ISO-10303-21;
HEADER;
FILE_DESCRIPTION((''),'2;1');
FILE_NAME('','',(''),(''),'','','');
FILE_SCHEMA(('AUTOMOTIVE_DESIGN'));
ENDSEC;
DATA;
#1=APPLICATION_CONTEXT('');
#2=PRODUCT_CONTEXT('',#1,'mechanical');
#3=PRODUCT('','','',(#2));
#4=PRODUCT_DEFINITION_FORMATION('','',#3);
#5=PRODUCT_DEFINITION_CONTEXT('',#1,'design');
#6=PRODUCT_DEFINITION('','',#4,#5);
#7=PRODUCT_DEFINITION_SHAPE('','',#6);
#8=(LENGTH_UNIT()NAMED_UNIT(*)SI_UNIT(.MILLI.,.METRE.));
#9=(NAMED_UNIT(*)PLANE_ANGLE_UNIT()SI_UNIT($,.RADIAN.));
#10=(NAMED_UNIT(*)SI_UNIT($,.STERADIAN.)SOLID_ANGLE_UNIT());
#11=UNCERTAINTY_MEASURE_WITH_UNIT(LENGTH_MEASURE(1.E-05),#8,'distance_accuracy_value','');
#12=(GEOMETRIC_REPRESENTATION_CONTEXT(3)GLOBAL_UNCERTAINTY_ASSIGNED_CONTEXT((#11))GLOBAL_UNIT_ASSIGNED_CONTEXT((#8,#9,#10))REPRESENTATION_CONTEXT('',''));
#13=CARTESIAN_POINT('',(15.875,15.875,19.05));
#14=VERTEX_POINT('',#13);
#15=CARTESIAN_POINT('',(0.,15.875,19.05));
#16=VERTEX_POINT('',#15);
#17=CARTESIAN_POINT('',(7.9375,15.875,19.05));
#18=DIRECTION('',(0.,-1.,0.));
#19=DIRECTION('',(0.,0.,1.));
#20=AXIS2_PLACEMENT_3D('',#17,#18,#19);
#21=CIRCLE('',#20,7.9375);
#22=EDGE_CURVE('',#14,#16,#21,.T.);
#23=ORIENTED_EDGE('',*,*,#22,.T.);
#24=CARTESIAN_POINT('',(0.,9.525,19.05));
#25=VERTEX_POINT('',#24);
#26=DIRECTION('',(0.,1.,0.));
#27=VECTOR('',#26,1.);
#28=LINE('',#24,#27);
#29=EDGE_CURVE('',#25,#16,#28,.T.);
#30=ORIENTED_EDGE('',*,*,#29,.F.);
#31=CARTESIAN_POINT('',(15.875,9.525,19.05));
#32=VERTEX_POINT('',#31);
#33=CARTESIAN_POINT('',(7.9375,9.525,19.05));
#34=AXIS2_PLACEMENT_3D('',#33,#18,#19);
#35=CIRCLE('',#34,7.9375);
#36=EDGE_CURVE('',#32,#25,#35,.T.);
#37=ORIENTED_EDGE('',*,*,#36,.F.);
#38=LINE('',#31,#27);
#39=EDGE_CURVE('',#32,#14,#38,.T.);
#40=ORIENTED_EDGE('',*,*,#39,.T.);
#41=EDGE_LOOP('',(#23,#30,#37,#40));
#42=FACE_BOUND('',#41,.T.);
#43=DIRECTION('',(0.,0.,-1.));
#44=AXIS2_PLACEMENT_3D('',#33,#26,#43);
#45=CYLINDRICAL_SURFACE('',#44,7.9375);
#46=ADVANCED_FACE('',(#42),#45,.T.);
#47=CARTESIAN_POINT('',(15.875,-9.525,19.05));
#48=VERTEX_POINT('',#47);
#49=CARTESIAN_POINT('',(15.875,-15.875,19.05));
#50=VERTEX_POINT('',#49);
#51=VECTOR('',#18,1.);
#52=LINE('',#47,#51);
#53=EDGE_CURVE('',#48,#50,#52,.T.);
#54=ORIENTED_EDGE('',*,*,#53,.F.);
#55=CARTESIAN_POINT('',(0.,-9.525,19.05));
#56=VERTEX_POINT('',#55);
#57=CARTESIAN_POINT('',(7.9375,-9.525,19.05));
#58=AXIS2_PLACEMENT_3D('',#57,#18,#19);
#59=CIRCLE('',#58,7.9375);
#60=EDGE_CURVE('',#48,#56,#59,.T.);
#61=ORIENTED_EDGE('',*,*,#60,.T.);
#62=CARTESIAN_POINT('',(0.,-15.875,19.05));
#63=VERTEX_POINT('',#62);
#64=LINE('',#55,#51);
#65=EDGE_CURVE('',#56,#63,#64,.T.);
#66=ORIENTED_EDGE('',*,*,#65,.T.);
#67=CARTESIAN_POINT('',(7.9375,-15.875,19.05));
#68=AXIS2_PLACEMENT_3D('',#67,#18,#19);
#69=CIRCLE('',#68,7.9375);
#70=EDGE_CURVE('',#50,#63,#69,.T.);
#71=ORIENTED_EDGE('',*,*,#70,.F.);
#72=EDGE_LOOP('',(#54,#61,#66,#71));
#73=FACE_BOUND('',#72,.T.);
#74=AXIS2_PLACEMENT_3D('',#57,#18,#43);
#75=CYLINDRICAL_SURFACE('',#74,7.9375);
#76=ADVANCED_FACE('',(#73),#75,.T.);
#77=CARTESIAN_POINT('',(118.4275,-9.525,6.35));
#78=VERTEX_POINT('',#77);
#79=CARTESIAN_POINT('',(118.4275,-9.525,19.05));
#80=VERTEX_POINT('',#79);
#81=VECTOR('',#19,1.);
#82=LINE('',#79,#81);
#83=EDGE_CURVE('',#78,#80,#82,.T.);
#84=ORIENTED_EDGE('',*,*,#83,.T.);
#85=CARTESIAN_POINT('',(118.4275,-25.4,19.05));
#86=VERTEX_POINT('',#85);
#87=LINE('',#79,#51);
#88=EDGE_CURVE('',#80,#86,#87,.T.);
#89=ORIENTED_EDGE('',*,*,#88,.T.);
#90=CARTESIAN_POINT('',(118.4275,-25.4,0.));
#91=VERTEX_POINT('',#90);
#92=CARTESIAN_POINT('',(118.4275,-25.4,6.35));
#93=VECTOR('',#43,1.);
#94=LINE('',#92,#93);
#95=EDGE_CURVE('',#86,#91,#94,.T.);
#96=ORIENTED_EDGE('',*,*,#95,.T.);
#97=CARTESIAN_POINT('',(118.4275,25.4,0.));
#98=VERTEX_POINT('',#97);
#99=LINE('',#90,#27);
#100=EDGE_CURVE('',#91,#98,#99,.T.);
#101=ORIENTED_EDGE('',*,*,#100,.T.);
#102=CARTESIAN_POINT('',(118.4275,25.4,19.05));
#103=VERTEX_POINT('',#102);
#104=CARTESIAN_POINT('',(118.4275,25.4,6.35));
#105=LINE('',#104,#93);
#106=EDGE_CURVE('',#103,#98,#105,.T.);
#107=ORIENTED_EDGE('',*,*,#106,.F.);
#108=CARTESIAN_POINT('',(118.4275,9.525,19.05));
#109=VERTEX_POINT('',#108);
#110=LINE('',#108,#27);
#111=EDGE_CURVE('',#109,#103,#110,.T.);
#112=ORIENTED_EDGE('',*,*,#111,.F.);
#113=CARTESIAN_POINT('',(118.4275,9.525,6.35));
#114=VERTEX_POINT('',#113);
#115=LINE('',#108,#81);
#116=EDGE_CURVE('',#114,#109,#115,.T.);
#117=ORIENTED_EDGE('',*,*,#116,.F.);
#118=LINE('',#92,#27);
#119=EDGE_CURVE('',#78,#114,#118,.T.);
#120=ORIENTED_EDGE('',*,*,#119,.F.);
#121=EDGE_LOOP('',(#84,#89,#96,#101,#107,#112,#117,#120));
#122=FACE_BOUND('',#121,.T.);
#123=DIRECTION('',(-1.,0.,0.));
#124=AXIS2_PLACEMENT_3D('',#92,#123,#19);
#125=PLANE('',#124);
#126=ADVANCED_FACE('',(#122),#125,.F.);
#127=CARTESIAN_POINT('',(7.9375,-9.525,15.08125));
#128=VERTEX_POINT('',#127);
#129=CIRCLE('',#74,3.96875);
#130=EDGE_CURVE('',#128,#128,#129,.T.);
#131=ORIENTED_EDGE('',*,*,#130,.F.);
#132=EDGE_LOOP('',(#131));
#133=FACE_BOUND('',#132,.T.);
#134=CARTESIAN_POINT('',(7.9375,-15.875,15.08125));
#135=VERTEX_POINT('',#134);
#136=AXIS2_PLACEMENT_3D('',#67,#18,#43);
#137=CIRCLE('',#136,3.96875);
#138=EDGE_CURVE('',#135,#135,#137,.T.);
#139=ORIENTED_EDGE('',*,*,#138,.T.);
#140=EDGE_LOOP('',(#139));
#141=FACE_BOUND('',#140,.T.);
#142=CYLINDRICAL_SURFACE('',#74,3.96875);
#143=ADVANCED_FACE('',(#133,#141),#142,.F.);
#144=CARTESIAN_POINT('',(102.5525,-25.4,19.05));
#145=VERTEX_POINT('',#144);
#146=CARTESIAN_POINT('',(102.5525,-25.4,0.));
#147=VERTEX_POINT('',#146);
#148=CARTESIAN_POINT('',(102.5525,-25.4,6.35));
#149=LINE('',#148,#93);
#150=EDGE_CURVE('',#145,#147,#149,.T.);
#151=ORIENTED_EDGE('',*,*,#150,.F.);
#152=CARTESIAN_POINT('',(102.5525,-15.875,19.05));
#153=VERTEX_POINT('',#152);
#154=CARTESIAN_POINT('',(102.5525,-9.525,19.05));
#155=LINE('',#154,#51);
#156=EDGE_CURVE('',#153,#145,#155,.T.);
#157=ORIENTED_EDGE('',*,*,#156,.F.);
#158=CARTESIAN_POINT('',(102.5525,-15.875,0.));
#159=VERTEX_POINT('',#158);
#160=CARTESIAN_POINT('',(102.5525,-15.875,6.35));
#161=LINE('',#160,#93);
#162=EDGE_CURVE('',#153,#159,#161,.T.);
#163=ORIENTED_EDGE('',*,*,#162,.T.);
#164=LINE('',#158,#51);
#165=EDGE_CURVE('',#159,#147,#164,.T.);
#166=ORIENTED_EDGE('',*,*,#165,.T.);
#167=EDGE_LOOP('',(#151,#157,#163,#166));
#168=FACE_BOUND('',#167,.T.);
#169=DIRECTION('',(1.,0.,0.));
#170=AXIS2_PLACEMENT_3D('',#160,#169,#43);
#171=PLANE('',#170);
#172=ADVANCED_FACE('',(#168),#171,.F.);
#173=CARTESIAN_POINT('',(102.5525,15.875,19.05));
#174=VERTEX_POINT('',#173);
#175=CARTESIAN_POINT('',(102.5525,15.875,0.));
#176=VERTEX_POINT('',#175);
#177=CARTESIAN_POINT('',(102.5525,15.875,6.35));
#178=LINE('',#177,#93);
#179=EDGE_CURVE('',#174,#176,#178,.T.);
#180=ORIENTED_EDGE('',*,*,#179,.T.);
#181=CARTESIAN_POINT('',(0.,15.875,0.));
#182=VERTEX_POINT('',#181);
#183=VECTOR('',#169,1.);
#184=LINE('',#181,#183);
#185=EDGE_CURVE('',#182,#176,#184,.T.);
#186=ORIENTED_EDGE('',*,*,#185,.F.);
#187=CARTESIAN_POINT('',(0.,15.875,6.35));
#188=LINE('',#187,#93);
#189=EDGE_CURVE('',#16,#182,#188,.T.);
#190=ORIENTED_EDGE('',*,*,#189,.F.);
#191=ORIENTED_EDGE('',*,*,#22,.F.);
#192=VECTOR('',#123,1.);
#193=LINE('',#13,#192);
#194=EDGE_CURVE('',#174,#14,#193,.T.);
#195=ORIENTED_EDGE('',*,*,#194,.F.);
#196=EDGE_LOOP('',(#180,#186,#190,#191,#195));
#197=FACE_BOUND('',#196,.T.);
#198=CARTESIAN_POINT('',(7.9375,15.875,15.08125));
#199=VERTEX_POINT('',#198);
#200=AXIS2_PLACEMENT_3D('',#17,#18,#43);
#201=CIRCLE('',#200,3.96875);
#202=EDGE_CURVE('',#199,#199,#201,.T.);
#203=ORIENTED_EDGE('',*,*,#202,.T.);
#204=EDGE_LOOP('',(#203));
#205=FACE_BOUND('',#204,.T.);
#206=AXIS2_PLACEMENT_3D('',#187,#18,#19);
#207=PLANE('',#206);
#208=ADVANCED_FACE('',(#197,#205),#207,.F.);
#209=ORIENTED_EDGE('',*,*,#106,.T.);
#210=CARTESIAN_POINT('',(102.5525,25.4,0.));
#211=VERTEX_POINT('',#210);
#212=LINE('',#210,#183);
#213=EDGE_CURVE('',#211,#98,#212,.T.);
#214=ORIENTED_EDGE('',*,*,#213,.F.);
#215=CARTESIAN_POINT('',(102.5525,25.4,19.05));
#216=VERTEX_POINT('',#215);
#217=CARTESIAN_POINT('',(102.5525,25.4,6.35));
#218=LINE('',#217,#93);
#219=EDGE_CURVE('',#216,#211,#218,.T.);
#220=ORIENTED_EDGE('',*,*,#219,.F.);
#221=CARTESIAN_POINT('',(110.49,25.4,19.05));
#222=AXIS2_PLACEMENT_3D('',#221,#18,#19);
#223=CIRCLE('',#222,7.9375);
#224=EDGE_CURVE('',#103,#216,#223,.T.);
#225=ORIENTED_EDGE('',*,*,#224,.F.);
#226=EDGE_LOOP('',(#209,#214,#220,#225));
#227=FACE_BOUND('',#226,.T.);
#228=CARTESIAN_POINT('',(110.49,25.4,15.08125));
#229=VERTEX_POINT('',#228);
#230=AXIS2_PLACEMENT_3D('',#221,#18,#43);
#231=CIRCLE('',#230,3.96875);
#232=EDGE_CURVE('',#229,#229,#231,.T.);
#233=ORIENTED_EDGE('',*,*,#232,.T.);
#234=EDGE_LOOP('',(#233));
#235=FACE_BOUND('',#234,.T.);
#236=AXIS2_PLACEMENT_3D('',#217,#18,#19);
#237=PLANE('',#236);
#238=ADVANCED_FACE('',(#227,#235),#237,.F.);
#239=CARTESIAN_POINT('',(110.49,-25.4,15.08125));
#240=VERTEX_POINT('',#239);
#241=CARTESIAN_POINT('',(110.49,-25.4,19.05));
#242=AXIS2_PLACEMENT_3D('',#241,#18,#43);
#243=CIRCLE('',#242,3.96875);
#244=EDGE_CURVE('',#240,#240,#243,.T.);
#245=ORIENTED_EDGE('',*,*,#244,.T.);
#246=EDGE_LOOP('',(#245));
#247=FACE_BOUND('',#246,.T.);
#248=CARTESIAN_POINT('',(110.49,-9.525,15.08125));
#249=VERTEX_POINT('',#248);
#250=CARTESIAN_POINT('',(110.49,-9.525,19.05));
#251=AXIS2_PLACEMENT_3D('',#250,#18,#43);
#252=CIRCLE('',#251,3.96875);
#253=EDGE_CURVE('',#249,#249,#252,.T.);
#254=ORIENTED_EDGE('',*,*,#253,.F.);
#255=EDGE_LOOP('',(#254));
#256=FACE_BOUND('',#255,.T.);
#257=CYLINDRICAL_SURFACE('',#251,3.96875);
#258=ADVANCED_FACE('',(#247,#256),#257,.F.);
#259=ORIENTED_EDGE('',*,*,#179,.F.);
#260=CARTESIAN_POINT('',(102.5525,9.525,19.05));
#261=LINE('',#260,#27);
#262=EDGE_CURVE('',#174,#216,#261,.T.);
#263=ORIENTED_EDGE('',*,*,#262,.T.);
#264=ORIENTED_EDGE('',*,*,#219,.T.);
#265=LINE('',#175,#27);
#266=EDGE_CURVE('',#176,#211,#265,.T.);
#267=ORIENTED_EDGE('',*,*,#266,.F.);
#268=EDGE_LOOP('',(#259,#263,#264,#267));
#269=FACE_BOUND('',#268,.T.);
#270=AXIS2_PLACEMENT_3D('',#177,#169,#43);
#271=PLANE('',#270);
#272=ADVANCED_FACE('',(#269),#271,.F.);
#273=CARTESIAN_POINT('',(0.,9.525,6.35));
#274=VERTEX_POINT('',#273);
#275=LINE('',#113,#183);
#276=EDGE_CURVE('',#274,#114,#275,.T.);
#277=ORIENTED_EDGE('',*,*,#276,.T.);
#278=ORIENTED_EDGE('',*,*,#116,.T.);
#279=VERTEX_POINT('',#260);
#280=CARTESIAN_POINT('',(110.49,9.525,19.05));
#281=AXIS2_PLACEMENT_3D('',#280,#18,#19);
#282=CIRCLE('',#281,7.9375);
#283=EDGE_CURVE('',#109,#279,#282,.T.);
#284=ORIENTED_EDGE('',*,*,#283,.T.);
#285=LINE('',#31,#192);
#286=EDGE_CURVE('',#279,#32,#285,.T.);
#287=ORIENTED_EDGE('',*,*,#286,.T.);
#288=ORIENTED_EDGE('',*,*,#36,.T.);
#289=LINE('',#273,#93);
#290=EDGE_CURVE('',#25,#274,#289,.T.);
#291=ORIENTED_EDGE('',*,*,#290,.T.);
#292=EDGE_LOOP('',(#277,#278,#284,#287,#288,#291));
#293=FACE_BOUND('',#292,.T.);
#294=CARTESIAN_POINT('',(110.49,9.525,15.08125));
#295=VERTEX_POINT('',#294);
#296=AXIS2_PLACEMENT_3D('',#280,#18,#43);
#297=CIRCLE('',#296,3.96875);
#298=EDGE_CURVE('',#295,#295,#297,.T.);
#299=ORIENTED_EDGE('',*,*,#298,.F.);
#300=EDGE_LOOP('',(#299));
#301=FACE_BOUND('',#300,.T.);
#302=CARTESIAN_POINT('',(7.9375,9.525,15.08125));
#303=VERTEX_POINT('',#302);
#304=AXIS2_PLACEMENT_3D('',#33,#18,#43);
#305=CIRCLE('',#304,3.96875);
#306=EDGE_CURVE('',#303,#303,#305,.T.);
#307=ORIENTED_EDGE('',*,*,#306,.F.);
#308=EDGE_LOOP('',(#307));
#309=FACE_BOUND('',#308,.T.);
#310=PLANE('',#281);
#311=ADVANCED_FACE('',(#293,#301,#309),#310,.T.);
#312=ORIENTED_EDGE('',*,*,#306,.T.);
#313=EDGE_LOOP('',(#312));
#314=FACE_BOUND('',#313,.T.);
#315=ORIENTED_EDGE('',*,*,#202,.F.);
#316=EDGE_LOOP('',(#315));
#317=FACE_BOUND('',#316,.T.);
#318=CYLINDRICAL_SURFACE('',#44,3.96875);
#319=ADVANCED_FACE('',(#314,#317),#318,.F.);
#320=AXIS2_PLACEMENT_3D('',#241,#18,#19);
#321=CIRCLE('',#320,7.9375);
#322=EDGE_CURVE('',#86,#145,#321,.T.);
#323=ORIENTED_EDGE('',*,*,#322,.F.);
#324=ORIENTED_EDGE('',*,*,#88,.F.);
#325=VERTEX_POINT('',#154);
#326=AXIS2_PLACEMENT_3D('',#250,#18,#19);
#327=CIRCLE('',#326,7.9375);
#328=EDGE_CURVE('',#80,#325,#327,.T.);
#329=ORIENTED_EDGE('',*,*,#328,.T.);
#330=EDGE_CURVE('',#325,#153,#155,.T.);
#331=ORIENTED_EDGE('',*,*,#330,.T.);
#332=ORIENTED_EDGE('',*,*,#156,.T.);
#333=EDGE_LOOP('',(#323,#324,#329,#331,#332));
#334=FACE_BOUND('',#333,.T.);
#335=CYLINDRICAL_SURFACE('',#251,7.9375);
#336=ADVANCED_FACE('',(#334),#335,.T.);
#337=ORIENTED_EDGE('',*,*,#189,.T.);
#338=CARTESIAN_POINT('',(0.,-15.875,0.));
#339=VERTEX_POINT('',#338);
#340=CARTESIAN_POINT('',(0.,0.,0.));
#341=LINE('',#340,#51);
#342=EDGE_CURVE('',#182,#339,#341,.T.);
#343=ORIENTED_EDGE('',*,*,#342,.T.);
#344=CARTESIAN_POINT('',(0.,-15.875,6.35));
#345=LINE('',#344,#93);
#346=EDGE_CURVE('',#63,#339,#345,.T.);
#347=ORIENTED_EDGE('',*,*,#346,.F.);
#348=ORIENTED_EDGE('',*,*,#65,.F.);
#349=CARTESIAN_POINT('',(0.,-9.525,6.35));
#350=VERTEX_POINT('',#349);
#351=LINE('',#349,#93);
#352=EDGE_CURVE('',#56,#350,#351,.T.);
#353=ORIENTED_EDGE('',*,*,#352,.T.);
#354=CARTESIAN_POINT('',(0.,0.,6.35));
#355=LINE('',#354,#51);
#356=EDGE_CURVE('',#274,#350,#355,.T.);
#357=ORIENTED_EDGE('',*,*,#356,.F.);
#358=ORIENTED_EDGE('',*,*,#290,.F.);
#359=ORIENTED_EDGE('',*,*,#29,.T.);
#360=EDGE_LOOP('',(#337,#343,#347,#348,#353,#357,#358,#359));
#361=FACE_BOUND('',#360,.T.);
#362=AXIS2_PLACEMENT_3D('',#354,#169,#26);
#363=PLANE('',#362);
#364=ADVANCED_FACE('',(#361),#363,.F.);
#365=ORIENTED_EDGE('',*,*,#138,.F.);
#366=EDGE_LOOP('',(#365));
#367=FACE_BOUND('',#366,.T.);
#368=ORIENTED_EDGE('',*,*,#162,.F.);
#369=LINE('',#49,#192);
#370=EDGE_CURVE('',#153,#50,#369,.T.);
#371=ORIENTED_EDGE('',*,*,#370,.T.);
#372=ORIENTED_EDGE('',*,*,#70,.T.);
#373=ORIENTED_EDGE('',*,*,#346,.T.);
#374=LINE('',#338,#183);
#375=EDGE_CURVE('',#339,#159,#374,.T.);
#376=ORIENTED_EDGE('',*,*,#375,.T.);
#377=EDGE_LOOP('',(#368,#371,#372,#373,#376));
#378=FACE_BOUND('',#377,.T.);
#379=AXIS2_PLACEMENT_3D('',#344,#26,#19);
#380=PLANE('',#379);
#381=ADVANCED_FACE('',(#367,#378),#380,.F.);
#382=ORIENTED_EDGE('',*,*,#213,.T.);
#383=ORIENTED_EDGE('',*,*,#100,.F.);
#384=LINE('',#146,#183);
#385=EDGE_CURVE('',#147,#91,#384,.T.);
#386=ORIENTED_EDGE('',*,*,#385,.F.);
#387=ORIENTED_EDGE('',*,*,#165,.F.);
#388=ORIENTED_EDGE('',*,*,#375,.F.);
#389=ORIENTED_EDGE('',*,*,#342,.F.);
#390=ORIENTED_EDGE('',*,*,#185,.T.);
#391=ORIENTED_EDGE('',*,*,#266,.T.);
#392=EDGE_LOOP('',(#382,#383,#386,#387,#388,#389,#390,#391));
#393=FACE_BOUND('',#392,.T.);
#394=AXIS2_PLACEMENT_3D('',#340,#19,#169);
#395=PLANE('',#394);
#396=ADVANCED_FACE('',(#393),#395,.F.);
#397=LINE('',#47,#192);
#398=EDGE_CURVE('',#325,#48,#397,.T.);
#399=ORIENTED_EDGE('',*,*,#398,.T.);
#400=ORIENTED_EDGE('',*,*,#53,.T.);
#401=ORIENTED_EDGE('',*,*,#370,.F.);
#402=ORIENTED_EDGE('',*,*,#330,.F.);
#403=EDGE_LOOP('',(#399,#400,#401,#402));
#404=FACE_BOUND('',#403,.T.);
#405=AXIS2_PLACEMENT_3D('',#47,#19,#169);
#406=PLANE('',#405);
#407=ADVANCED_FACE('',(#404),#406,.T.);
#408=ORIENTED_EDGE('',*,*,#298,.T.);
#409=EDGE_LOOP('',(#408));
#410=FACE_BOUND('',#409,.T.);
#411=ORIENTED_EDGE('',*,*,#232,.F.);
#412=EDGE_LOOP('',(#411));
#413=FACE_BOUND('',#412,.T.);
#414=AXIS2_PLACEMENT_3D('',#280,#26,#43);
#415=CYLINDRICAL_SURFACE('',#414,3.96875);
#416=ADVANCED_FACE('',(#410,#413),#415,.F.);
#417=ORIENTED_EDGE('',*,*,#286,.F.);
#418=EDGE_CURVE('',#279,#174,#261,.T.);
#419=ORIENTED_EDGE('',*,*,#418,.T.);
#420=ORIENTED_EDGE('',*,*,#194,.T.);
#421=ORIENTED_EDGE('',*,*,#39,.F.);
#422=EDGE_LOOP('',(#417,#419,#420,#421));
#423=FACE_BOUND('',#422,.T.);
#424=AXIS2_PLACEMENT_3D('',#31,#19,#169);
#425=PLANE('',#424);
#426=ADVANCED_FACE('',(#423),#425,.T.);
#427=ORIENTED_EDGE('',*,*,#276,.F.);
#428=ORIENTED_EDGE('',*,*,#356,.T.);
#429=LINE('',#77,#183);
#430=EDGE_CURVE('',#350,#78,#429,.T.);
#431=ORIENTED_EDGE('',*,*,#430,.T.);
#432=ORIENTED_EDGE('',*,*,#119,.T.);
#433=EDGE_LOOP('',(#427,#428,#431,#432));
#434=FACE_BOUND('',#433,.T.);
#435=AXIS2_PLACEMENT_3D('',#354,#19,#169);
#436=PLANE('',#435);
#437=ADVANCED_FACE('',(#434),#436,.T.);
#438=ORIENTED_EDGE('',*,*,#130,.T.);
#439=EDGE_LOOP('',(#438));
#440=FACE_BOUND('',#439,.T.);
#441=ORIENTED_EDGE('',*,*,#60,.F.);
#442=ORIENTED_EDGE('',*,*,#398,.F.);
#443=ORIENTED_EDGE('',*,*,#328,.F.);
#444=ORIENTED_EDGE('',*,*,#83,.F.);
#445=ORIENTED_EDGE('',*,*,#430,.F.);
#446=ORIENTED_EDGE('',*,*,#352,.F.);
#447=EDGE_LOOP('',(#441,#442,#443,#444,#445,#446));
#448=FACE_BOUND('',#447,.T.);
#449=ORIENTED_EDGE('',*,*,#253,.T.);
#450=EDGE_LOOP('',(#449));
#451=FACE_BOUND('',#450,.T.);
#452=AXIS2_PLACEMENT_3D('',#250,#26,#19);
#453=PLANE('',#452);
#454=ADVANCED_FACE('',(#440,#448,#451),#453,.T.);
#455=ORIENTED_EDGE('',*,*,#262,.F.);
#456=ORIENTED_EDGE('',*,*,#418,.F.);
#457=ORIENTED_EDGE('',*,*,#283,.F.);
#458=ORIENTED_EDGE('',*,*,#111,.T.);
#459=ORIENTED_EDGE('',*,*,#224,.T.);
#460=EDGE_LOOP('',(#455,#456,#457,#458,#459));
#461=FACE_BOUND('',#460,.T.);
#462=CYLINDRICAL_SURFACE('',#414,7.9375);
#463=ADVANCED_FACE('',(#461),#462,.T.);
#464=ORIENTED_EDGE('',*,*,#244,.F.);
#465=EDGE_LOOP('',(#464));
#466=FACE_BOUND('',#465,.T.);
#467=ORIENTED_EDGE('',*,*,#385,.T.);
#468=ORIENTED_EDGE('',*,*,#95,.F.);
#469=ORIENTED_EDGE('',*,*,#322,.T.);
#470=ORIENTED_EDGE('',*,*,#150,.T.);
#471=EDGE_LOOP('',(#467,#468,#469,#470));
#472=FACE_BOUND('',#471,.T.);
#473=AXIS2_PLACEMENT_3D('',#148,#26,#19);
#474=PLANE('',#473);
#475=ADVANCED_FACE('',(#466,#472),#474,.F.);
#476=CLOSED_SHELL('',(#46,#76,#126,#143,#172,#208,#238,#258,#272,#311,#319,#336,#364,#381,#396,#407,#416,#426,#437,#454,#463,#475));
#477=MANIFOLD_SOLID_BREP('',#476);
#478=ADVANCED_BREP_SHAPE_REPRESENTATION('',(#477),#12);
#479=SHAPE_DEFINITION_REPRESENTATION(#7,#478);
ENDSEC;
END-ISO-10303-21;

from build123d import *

# Parameters (mm, degrees)
BOSS_EXTRUDE4_DEPTH = 6.35
SKETCH9_R           = 3.96875
BOSS_EXTRUDE5_DEPTH = 15.875
SKETCH10_R          = 3.96875
BOSS_EXTRUDE6_DEPTH = 6.35


with BuildPart() as part:
    # Sketch6 → Boss-Extrude4 (new body)
    with BuildSketch(Plane.XY):
        Polygon((0, 0), (0, -15.875), (102.5525, -15.875), (102.5525, -25.4), (118.4275, -25.4), (118.4275, 0), align=None)
    extrude(amount=BOSS_EXTRUDE4_DEPTH)

    # Sketch9 → Boss-Extrude5 (add)
    with BuildSketch(Plane.XZ.offset(25.4)):
        with BuildLine():
            Line((102.5525, 6.35), (102.5525, 19.05))
            ThreePointArc((102.5525, 19.05), (110.49, 26.9875), (118.4275, 19.05))
            Line((118.4275, 19.05), (118.4275, 6.35))
            Line((118.4275, 6.35), (102.5525, 6.35))
        make_face()
        with Locations(Location((110.49, 19.05, 0), (0, 0, 270))):
            Circle(SKETCH9_R, mode=Mode.SUBTRACT)
    extrude(amount=-BOSS_EXTRUDE5_DEPTH)

    # Sketch10 → Boss-Extrude6 (add)
    with BuildSketch(Plane.XZ.offset(15.875)):
        with BuildLine():
            Line((0, 6.35), (0, 19.05))
            ThreePointArc((0, 19.05), (7.9375, 26.9875), (15.875, 19.05))
            Line((15.875, 19.05), (102.5525, 19.05))
            Line((102.5525, 19.05), (102.5525, 6.35))
            Line((102.5525, 6.35), (0, 6.35))
        make_face()
        with Locations(Location((7.9375, 19.05, 0), (0, 0, 270))):
            Circle(SKETCH10_R, mode=Mode.SUBTRACT)
    extrude(amount=-BOSS_EXTRUDE6_DEPTH)

    # Mirror1: part across plane


with BuildPart() as part_1:
    add(part.part)
    add(part.part.mirror(Plane(origin=(118.4275, 0, 6.35), x_dir=(0, 0, 1), z_dir=(0, -1, 0))))


solid = part_1.part
